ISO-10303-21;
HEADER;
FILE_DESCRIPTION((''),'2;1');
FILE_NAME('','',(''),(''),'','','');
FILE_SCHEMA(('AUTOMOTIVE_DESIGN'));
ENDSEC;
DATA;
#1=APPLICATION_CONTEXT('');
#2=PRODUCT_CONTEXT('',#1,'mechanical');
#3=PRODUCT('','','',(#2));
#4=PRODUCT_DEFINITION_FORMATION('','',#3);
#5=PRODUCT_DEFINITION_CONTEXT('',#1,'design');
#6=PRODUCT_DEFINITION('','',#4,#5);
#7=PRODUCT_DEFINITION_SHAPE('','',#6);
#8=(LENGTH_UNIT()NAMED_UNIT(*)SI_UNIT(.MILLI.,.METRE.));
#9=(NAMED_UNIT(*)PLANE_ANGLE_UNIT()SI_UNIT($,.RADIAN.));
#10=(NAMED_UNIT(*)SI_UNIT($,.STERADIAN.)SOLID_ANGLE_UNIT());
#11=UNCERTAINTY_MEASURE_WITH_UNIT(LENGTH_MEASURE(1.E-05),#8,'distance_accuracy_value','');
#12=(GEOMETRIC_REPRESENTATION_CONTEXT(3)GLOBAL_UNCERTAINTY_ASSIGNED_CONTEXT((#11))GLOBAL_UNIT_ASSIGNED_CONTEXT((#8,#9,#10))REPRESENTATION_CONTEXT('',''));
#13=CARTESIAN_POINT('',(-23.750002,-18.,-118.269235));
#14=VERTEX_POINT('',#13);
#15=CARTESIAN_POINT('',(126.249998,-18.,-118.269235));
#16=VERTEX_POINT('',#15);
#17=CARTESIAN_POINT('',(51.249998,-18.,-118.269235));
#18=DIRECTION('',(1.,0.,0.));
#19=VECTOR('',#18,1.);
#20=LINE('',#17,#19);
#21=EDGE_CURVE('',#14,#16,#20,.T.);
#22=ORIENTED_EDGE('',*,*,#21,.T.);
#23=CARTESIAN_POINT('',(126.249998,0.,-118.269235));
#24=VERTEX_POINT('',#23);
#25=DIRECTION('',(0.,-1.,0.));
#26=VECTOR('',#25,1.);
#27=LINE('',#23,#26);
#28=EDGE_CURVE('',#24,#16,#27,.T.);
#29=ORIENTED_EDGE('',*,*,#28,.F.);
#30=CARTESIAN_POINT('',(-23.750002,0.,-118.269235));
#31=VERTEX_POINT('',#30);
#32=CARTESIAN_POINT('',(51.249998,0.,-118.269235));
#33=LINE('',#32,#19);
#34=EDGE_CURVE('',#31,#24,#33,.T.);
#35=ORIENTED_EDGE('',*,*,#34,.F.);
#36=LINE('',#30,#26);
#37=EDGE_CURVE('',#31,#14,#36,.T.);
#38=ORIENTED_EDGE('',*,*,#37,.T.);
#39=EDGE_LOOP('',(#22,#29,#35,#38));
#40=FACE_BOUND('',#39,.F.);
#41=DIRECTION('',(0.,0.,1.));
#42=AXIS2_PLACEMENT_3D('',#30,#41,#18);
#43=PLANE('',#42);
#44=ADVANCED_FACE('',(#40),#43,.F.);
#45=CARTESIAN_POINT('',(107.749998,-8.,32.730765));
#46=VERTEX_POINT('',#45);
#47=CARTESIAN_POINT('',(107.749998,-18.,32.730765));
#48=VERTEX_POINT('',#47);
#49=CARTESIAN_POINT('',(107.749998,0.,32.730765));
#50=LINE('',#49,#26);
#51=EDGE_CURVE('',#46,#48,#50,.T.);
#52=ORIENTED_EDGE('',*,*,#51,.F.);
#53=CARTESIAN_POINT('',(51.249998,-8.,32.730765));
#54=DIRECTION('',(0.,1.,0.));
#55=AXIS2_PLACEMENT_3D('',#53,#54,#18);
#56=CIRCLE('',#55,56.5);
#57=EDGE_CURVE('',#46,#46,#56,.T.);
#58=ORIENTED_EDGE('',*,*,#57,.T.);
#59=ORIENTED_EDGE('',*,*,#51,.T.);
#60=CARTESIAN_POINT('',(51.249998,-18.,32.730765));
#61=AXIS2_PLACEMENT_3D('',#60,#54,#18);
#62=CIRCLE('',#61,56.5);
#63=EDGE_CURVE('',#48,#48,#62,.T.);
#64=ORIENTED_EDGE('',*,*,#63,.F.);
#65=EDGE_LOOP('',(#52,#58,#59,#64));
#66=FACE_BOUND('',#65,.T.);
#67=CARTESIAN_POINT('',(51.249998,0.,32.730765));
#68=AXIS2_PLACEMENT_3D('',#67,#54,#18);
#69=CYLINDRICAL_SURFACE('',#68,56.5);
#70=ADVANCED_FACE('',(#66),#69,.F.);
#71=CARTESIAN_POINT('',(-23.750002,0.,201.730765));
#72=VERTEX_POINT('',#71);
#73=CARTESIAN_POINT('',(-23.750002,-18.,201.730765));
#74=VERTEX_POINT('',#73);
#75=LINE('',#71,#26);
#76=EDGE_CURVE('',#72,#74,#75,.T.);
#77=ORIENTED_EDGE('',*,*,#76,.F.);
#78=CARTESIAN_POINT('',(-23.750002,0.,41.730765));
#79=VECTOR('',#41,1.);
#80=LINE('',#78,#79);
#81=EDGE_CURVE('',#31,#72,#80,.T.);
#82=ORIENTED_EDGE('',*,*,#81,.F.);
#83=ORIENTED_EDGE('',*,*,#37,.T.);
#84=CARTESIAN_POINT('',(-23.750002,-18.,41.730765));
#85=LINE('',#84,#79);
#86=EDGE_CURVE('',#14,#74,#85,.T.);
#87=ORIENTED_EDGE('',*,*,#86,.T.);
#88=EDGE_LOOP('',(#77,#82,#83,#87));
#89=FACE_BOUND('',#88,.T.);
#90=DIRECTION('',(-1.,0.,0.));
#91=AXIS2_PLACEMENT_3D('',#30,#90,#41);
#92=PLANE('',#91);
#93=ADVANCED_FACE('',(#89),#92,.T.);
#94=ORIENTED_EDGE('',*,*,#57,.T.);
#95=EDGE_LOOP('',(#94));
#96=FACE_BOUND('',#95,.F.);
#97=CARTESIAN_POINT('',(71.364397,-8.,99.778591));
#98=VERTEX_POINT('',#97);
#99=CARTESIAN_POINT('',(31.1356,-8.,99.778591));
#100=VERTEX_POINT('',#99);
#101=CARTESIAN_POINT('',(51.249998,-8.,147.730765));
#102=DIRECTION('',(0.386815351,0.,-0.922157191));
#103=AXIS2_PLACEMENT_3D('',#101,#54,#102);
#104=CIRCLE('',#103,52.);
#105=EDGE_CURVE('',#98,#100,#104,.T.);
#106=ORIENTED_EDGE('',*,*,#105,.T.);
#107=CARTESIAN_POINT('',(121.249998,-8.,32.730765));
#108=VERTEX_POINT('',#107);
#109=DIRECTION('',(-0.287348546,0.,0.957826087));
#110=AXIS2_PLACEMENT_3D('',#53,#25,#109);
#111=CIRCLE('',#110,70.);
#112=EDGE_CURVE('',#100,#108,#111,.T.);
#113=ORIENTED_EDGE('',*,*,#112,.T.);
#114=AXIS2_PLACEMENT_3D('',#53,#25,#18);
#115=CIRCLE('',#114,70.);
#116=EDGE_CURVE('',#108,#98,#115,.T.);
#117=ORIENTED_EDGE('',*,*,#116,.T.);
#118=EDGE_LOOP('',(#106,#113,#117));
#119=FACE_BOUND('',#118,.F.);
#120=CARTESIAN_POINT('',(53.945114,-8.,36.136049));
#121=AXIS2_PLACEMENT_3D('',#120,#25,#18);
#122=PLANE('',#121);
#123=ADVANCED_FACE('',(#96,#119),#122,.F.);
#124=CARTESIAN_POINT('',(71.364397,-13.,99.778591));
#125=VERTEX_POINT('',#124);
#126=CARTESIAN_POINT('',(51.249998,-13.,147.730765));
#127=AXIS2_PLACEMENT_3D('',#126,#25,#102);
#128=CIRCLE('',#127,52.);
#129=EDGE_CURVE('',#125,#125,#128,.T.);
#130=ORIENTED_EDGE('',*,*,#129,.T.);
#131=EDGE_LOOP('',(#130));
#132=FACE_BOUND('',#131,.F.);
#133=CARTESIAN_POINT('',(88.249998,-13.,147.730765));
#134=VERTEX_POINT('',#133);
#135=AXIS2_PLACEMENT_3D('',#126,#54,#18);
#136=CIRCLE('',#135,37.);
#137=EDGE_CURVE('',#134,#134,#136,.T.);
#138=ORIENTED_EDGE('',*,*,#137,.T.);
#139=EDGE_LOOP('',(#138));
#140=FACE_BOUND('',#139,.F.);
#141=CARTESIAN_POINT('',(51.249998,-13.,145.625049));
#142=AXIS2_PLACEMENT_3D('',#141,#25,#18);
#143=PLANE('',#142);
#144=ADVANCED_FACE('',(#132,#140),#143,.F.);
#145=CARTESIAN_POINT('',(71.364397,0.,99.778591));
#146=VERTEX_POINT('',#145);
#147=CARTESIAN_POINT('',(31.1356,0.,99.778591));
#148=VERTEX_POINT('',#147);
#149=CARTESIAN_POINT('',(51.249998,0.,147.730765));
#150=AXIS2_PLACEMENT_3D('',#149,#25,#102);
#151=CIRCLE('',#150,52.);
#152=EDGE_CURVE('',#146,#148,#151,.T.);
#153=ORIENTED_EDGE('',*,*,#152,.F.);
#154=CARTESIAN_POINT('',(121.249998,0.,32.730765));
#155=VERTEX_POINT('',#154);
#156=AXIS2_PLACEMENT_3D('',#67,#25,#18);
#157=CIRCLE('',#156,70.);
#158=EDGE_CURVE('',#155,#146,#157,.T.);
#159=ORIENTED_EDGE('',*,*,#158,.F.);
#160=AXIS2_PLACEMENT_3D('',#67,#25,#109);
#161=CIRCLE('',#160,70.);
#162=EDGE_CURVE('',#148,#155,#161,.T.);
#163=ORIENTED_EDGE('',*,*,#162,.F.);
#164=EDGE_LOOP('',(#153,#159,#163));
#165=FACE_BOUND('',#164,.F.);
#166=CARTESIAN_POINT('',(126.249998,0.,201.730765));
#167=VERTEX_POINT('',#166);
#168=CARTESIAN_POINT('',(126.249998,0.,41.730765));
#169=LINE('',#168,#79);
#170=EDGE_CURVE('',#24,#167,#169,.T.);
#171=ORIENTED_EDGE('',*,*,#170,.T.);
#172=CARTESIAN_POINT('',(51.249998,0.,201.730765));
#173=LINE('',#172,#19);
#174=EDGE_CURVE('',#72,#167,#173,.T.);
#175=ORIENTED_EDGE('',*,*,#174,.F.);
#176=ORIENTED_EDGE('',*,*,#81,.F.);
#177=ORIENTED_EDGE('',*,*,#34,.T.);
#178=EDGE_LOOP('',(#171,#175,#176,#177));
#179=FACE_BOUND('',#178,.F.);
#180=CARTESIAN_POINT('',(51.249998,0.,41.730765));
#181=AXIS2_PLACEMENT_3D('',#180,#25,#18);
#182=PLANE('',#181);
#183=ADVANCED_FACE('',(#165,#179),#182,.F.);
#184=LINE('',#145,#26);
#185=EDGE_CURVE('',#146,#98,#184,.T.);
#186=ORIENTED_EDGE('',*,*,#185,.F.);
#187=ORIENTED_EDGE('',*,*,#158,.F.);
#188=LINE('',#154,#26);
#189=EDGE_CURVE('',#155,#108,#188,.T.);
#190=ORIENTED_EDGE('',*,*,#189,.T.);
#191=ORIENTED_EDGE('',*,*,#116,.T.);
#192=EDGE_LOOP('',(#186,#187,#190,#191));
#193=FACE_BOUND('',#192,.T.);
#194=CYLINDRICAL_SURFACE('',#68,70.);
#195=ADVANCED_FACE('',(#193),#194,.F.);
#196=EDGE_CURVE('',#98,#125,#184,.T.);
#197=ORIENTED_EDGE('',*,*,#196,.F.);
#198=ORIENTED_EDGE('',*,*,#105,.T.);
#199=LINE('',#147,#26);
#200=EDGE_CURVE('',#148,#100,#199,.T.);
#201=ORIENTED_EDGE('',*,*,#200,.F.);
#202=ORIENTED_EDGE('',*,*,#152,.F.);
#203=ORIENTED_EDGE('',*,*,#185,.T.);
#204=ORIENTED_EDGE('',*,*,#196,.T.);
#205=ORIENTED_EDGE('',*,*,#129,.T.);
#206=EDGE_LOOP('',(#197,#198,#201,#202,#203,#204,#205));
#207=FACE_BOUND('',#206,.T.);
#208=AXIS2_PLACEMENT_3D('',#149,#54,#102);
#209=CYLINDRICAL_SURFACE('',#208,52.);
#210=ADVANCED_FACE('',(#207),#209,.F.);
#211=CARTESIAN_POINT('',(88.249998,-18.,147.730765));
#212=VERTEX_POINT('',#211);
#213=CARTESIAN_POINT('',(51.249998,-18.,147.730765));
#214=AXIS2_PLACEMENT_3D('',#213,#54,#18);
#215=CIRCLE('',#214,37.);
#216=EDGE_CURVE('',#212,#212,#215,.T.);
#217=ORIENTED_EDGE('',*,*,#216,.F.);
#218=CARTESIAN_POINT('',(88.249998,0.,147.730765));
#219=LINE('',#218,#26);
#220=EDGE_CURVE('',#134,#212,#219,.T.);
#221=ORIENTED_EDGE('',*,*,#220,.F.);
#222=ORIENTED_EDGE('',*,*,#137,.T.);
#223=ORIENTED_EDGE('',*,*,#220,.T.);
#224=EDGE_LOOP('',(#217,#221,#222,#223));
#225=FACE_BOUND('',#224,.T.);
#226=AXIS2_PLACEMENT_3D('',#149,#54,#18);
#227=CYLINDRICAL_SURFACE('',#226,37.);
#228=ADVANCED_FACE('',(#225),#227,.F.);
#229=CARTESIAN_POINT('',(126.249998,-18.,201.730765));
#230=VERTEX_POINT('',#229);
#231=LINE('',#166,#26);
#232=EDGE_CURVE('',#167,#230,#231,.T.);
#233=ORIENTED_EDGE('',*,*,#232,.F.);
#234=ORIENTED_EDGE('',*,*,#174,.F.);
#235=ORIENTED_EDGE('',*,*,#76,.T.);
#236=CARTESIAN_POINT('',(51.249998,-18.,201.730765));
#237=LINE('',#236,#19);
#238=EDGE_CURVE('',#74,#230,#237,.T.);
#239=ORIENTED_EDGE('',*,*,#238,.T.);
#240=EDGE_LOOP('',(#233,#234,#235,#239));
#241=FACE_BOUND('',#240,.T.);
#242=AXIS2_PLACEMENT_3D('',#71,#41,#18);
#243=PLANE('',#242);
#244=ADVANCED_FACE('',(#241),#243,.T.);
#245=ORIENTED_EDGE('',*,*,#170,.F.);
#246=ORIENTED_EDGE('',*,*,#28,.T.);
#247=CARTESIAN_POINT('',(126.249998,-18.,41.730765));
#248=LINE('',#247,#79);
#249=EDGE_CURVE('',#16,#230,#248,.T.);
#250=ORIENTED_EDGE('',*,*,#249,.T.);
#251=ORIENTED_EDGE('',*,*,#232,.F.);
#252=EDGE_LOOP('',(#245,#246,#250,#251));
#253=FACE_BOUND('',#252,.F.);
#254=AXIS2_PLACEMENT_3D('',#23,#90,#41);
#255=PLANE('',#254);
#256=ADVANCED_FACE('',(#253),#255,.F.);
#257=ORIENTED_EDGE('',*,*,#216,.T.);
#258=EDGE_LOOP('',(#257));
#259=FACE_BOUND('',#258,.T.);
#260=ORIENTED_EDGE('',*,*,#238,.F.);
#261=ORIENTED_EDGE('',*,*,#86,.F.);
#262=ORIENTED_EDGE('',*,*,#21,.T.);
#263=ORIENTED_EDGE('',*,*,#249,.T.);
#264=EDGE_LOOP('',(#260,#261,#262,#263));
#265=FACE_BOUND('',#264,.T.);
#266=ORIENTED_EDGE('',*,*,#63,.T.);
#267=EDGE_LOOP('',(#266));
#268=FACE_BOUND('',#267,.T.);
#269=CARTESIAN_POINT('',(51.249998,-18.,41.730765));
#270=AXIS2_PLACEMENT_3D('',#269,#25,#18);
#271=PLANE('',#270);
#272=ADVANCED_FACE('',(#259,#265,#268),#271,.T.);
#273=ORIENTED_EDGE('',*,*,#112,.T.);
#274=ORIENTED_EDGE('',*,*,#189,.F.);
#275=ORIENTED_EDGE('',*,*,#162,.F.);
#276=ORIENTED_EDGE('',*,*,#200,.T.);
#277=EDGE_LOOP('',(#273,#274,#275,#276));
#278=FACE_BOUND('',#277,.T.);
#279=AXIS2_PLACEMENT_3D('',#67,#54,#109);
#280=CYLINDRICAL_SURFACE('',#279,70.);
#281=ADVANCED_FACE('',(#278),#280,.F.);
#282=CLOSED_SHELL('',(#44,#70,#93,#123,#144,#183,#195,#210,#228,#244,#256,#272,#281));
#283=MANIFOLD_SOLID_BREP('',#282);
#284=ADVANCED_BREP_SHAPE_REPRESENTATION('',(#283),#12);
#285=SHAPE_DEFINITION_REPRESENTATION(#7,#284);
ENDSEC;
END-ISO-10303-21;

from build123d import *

# Parameters (mm, degrees)
F0_W     = 150
F0_H     = 320
F0_R     = 56.5
F0_R_2   = 37
F1_DEPTH = 18
F2_DEPTH = 8
F3_DEPTH = 13
F4_DEPTH = 25
F5_DEPTH = 25


with BuildPart() as f1:
    # F0 (on Front) → F1 (new body)
    with BuildSketch(Plane.XZ):
        with Locations((51.2499984354, 41.7307654023)):
            Rectangle(F0_W, F0_H)
        with BuildLine():
            ThreePointArc((31.135600184, 99.7785914893), (22.4571929891, 191.0317394622), (103.2499984354, 147.7307654023))
            ThreePointArc((103.2499984354, 147.7307654023), (94.5509724953, 118.9379599561), (71.3643966867, 99.7785914893))
            ThreePointArc((71.3643966867, 99.7785914893), (107.4105178311, 74.5158831023), (121.2499984354, 32.7307654023))
            ThreePointArc((121.2499984354, 32.7307654023), (9.4648807354, -23.4297539934), (31.135600184, 99.7785914893))
        make_face(mode=Mode.SUBTRACT)
        with BuildLine():
            ThreePointArc((71.3643966867, 99.7785914893), (51.2499984354, 95.7307654023), (31.135600184, 99.7785914893))
            ThreePointArc((31.135600184, 99.7785914893), (9.4648807354, -23.4297539934), (121.2499984354, 32.7307654023))
            ThreePointArc((121.2499984354, 32.7307654023), (107.4105178311, 74.5158831023), (71.3643966867, 99.7785914893))
        make_face()
        with Locations((51.2499984354, 32.7307654023)):
            Circle(F0_R, mode=Mode.SUBTRACT)
        with Locations((51.2499984354, 32.7307654023)):
            Circle(F0_R)
        with BuildLine():
            ThreePointArc((71.3643966867, 99.7785914893), (94.5509724953, 118.9379599561), (103.2499984354, 147.7307654023))
            ThreePointArc((103.2499984354, 147.7307654023), (22.4571929891, 191.0317394622), (31.135600184, 99.7785914893))
            ThreePointArc((31.135600184, 99.7785914893), (51.2499984354, 102.7307654023), (71.3643966867, 99.7785914893))
        make_face()
        with Locations((51.2499984354, 147.7307654023)):
            Circle(F0_R_2, mode=Mode.SUBTRACT)
        with Locations((51.2499984354, 147.7307654023)):
            Circle(F0_R_2)
        with BuildLine():
            ThreePointArc((71.3643966867, 99.7785914893), (51.2499984354, 102.7307654023), (31.135600184, 99.7785914893))
            ThreePointArc((31.135600184, 99.7785914893), (51.2499984354, 95.7307654023), (71.3643966867, 99.7785914893))
        make_face()
    extrude(amount=F1_DEPTH)

    # F0 (on Front) → F2 (cut)
    with BuildSketch(Plane.XZ):
        with BuildLine():
            ThreePointArc((71.3643966867, 99.7785914893), (51.2499984354, 95.7307654023), (31.135600184, 99.7785914893))
            ThreePointArc((31.135600184, 99.7785914893), (9.4648807354, -23.4297539934), (121.2499984354, 32.7307654023))
            ThreePointArc((121.2499984354, 32.7307654023), (107.4105178311, 74.5158831023), (71.3643966867, 99.7785914893))
        make_face()
        with Locations((51.2499984354, 32.7307654023)):
            Circle(F0_R, mode=Mode.SUBTRACT)
        with Locations((51.2499984354, 32.7307654023)):
            Circle(F0_R)
        with BuildLine():
            ThreePointArc((71.3643966867, 99.7785914893), (51.2499984354, 102.7307654023), (31.135600184, 99.7785914893))
            ThreePointArc((31.135600184, 99.7785914893), (51.2499984354, 95.7307654023), (71.3643966867, 99.7785914893))
        make_face()
    extrude(amount=F2_DEPTH, mode=Mode.SUBTRACT)

    # F0 (on Front) → F3 (cut)
    with BuildSketch(Plane.XZ):
        with BuildLine():
            ThreePointArc((71.3643966867, 99.7785914893), (94.5509724953, 118.9379599561), (103.2499984354, 147.7307654023))
            ThreePointArc((103.2499984354, 147.7307654023), (22.4571929891, 191.0317394622), (31.135600184, 99.7785914893))
            ThreePointArc((31.135600184, 99.7785914893), (51.2499984354, 102.7307654023), (71.3643966867, 99.7785914893))
        make_face()
        with Locations((51.2499984354, 147.7307654023)):
            Circle(F0_R_2, mode=Mode.SUBTRACT)
        with Locations((51.2499984354, 147.7307654023)):
            Circle(F0_R_2)
        with BuildLine():
            ThreePointArc((71.3643966867, 99.7785914893), (51.2499984354, 102.7307654023), (31.135600184, 99.7785914893))
            ThreePointArc((31.135600184, 99.7785914893), (51.2499984354, 95.7307654023), (71.3643966867, 99.7785914893))
        make_face()
    extrude(amount=F3_DEPTH, mode=Mode.SUBTRACT)

    # F0 (on Front) → F4 (cut)
    with BuildSketch(Plane.XZ):
        with Locations((51.2499984354, 147.7307654023)):
            Circle(F0_R_2)
    extrude(amount=F4_DEPTH, mode=Mode.SUBTRACT)

    # F0 (on Front) → F5 (cut)
    with BuildSketch(Plane.XZ):
        with Locations((51.2499984354, 32.7307654023)):
            Circle(F0_R)
    extrude(amount=F5_DEPTH, mode=Mode.SUBTRACT)


solid = f1.part
